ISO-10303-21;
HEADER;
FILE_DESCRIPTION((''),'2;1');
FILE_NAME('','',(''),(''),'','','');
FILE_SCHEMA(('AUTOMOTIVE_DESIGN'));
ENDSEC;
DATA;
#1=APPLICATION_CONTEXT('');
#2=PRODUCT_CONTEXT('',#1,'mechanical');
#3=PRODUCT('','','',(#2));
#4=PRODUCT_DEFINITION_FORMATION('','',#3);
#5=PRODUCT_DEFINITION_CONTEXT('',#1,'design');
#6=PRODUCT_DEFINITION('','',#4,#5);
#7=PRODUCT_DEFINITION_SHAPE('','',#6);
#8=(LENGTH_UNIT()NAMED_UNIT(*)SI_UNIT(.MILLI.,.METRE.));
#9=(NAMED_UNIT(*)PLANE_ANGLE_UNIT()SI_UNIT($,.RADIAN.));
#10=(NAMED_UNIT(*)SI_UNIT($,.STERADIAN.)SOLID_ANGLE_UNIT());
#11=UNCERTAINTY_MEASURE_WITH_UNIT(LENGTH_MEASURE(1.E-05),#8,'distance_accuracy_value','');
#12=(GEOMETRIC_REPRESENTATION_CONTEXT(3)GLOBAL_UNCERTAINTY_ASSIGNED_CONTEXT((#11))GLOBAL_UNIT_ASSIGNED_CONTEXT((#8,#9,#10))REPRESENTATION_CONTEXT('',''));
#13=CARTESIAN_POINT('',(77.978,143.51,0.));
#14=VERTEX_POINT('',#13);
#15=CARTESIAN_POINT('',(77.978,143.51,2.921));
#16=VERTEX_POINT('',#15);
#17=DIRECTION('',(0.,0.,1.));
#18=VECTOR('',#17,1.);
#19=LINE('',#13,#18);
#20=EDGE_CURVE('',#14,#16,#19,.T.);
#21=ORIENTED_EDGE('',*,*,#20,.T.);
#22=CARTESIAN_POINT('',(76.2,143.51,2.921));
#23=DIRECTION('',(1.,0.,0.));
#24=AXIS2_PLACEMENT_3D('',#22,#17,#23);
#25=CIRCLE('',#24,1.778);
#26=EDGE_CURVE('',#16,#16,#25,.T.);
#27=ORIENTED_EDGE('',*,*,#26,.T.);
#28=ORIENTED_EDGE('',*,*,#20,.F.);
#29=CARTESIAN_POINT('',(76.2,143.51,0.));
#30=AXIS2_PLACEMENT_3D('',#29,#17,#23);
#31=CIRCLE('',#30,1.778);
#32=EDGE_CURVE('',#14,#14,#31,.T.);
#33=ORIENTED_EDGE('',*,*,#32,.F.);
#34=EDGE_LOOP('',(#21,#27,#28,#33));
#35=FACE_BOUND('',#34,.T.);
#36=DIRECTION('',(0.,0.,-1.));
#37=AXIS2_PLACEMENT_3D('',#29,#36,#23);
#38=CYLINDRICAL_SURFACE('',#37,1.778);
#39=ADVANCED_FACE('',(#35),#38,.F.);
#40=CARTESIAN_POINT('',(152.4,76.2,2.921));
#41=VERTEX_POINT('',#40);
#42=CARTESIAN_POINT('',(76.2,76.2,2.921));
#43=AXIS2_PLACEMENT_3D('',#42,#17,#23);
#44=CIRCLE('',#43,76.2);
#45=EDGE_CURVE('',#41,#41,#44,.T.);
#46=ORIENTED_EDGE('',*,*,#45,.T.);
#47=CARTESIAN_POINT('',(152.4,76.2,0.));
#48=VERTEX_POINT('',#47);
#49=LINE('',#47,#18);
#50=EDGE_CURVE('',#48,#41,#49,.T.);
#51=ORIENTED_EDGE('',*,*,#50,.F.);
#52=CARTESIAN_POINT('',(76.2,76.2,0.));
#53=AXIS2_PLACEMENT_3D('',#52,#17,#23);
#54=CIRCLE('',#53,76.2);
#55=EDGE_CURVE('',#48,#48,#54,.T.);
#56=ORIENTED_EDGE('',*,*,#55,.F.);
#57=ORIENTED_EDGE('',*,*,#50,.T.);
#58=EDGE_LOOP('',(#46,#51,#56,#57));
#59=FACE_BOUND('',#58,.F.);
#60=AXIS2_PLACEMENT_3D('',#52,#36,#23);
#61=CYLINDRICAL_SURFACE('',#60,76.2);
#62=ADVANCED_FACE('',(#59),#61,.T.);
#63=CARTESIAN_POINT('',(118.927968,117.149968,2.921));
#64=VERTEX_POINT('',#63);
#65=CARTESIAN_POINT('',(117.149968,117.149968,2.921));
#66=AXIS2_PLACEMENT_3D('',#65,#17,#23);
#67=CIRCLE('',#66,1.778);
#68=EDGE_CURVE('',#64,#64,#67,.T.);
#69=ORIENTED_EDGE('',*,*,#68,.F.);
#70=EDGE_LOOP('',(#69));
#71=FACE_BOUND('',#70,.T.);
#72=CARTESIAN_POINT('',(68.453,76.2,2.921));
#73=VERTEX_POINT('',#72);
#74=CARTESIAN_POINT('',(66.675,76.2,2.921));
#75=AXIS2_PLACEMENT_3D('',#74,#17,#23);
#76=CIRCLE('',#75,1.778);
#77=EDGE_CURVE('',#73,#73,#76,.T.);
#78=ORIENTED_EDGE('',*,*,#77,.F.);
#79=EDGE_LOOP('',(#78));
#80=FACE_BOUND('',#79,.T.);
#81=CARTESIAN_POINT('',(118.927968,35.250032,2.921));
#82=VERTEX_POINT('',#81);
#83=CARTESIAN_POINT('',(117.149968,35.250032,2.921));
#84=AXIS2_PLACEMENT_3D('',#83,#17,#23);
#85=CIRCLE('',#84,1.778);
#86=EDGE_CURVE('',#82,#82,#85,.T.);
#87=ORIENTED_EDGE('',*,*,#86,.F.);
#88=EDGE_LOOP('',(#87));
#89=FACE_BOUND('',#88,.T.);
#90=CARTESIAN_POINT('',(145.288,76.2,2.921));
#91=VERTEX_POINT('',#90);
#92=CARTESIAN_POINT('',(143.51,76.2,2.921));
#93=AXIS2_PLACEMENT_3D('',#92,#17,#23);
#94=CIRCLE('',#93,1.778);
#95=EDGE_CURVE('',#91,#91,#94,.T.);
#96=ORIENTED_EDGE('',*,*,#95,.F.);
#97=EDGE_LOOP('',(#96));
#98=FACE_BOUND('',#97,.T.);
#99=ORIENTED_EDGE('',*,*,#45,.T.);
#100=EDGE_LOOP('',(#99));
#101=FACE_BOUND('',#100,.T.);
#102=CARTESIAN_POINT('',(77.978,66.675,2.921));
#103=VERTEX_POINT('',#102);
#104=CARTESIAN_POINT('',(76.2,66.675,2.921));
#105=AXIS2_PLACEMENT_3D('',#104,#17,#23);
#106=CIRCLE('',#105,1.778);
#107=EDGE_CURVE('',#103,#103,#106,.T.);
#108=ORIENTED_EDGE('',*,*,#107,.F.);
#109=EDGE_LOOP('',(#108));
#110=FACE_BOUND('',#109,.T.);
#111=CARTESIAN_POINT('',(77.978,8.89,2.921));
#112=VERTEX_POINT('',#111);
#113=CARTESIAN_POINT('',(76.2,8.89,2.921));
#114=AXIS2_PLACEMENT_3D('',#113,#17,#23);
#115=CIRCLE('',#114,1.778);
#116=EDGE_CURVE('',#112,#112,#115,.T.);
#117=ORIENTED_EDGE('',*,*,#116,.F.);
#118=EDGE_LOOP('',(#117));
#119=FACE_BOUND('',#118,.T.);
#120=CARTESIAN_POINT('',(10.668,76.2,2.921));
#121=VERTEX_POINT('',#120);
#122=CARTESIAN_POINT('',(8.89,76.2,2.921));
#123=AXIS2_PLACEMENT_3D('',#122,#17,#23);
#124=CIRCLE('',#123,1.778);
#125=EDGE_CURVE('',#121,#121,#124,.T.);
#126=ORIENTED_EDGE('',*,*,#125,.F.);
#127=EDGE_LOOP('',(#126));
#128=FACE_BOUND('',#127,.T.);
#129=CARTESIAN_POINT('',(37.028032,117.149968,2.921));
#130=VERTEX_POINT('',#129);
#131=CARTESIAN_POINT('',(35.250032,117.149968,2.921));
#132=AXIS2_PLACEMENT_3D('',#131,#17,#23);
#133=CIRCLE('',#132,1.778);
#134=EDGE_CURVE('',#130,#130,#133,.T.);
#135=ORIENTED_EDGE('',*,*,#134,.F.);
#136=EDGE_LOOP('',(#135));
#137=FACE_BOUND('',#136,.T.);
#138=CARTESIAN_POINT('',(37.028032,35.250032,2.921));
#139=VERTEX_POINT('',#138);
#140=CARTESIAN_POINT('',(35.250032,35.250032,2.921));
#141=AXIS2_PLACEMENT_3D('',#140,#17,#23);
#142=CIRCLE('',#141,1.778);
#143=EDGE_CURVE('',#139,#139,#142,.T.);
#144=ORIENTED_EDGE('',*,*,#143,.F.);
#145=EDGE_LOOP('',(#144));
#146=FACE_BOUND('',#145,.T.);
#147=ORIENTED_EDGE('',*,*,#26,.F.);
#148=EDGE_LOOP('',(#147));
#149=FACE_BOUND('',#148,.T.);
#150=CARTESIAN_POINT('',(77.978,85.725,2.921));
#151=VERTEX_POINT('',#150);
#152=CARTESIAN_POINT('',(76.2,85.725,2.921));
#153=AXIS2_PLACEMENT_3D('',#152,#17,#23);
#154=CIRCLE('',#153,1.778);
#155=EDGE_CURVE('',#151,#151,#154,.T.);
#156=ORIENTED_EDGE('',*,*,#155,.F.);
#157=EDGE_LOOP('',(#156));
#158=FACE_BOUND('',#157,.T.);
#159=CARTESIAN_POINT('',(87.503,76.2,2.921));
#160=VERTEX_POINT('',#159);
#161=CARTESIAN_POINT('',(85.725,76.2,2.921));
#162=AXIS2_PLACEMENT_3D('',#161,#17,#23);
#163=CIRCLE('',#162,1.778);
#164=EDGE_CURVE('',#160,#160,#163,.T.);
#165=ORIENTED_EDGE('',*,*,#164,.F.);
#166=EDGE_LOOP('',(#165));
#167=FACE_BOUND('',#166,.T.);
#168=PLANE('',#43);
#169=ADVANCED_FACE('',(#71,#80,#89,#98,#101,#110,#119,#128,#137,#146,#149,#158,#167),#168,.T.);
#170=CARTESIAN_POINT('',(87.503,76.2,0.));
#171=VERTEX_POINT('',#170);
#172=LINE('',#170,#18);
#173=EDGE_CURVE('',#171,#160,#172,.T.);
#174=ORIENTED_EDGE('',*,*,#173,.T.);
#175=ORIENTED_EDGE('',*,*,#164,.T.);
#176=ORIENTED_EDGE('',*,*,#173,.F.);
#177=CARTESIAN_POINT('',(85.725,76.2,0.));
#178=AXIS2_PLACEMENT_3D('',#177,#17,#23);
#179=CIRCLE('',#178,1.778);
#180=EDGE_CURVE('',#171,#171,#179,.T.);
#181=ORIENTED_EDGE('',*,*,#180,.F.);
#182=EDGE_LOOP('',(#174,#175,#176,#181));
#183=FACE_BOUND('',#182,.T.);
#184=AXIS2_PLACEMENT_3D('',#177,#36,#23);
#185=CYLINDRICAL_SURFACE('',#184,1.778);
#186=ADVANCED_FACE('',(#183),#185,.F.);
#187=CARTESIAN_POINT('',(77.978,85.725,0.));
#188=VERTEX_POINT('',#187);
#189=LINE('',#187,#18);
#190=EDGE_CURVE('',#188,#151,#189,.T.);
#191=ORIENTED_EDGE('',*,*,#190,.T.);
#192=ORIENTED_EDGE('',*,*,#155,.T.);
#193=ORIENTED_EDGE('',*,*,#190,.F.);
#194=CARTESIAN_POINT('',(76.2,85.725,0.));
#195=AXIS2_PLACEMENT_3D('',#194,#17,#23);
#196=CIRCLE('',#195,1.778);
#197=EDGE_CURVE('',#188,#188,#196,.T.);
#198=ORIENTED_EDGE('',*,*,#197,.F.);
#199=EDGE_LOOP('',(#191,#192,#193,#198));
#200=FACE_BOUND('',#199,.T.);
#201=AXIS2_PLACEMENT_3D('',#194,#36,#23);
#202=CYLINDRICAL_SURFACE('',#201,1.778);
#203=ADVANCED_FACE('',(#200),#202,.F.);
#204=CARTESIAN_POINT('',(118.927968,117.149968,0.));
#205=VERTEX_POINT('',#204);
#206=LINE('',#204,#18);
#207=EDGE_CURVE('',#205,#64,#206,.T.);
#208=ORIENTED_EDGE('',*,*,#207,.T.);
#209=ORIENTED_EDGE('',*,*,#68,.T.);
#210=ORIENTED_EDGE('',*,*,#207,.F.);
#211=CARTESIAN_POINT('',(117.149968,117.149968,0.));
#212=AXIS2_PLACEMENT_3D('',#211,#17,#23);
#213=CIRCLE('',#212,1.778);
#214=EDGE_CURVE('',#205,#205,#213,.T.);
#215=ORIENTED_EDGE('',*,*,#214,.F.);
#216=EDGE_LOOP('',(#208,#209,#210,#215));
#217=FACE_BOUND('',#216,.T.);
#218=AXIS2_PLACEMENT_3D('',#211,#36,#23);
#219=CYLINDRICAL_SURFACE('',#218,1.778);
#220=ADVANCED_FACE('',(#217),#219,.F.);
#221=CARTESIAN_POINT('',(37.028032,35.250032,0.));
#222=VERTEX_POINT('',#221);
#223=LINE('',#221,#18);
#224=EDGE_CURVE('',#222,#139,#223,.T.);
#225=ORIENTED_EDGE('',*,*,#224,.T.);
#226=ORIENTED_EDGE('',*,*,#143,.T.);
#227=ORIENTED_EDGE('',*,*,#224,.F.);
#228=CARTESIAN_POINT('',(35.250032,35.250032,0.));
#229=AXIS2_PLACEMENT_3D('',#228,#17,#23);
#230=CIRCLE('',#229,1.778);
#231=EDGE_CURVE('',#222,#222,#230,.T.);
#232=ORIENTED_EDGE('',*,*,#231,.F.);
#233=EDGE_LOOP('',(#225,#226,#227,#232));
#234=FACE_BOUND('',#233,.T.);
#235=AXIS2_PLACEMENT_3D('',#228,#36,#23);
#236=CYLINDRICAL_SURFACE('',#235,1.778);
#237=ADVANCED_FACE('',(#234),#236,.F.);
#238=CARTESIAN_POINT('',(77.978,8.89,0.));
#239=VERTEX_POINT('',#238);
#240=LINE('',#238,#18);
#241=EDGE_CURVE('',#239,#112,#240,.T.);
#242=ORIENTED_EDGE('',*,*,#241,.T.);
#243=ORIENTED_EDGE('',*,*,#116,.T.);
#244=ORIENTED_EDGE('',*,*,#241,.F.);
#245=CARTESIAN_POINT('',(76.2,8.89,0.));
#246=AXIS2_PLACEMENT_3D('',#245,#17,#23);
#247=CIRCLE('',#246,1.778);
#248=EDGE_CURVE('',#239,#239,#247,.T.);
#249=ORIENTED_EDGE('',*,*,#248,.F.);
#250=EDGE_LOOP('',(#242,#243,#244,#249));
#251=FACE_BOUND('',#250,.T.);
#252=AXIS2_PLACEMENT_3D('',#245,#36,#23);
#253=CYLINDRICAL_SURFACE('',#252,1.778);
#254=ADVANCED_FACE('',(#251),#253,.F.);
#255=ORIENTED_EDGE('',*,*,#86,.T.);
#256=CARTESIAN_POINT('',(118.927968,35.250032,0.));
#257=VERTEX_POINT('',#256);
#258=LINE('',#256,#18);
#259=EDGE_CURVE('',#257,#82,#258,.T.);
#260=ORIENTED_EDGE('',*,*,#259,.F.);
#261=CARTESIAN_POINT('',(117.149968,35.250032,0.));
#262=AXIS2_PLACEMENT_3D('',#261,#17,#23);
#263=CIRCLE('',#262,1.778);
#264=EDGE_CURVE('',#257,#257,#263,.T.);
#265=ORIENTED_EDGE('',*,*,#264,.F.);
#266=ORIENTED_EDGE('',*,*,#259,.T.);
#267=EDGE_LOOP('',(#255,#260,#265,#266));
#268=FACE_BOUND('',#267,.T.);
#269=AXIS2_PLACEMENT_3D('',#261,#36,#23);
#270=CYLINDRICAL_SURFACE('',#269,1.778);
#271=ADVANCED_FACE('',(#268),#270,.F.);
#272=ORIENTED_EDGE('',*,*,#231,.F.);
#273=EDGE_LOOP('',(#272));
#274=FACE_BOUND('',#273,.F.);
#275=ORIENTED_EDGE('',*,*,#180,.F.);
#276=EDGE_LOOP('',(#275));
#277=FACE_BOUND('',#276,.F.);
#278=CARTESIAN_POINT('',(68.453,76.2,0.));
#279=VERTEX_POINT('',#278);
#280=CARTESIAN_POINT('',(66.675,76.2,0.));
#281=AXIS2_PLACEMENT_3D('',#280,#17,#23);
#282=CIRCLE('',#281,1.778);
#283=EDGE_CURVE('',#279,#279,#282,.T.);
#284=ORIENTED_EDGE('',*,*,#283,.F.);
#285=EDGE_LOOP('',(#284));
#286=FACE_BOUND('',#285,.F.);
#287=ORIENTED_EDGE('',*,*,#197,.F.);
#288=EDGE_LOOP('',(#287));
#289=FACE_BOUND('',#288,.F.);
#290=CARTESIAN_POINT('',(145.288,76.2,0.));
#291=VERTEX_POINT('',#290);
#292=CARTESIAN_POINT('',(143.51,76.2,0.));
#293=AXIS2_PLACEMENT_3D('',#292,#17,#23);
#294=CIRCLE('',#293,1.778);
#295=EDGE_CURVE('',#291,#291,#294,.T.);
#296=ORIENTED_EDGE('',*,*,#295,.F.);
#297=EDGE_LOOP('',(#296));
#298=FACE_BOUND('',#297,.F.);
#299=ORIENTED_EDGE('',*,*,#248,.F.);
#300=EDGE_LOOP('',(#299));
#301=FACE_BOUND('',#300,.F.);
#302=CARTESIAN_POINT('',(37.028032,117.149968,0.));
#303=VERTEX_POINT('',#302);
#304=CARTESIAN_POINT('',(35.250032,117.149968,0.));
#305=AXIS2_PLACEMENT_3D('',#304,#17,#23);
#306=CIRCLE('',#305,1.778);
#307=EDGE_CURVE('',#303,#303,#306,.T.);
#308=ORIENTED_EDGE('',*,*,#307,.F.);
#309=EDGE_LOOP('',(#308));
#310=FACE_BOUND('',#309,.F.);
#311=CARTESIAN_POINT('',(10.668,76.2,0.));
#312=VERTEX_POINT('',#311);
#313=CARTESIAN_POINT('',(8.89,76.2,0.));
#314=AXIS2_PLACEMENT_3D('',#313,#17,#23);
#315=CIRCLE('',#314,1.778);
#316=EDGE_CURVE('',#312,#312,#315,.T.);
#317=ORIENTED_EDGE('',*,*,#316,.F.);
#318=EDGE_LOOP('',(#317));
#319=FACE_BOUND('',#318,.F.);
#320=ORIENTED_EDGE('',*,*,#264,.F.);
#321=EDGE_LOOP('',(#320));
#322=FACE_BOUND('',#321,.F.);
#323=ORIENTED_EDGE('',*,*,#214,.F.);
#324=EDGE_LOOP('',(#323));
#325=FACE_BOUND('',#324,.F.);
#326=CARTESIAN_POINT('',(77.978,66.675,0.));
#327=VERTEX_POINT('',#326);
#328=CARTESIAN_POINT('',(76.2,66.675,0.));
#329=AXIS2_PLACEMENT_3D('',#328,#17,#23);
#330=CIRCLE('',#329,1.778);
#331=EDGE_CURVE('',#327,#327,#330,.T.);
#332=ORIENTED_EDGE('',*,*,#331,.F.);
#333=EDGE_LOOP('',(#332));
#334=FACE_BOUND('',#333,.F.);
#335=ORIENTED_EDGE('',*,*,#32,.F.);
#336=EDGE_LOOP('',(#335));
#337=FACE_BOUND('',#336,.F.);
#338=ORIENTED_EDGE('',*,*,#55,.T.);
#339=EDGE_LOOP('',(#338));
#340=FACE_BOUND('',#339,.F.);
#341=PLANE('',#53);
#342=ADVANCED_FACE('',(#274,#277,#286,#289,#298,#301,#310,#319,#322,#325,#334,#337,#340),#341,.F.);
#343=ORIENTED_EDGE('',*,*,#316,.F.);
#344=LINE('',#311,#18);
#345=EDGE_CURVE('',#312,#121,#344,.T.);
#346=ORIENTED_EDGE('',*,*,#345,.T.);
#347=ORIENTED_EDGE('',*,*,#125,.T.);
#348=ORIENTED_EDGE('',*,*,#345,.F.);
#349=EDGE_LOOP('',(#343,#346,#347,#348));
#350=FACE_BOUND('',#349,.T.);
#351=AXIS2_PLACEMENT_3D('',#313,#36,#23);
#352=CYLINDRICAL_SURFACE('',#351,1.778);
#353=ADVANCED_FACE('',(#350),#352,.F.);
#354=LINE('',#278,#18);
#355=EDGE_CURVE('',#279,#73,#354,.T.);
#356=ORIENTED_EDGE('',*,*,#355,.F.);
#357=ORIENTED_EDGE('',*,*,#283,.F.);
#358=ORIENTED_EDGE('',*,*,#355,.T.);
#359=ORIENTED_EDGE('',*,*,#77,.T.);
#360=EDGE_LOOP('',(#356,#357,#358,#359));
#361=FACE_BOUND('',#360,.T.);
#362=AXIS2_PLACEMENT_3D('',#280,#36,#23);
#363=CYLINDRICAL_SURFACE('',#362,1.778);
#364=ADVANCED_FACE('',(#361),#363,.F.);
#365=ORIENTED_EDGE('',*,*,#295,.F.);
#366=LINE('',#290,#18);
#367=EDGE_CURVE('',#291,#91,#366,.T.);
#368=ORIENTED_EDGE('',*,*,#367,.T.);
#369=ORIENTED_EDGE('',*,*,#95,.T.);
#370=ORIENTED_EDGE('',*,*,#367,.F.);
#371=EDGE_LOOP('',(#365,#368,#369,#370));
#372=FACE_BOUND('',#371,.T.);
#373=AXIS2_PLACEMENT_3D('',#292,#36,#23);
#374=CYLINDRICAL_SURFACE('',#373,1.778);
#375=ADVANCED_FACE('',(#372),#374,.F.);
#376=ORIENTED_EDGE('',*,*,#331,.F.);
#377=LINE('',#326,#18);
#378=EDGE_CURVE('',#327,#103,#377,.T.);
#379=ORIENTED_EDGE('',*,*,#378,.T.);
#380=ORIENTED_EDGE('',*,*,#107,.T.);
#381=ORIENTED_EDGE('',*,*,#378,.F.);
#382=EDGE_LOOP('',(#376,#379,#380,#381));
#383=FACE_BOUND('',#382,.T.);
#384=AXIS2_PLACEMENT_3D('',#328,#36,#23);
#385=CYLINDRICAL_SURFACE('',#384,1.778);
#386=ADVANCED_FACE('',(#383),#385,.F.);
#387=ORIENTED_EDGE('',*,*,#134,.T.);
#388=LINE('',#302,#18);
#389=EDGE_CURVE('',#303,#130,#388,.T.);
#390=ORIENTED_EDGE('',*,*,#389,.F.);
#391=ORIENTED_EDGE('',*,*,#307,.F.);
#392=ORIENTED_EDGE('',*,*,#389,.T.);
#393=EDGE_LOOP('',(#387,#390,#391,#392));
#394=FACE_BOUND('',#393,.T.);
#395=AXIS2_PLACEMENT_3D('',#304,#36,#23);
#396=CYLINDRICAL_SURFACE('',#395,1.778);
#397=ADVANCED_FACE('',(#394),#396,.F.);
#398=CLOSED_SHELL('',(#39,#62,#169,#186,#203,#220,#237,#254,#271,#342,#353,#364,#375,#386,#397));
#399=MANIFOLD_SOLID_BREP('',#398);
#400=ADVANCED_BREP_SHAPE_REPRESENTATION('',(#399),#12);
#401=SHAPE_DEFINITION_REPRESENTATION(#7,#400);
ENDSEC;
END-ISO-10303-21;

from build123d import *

# Parameters (mm, degrees)
F0_R     = 76.2
F0_R_2   = 1.778
F1_DEPTH = 2.921


with BuildPart() as f1:
    # F0 (on Top) → F1 (new body)
    with BuildSketch(Plane.XY):
        with Locations((76.2, 76.2)):
            Circle(F0_R)
        with Locations((35.250032, 35.250032)):
            Circle(F0_R_2, mode=Mode.SUBTRACT)
        with Locations((76.2, 8.89)):
            Circle(F0_R_2, mode=Mode.SUBTRACT)
        with Locations((117.149968, 35.250032)):
            Circle(F0_R_2, mode=Mode.SUBTRACT)
        with Locations((76.2, 66.675)):
            Circle(F0_R_2, mode=Mode.SUBTRACT)
        with Locations((8.89, 76.2)):
            Circle(F0_R_2, mode=Mode.SUBTRACT)
        with Locations((66.675, 76.2)):
            Circle(F0_R_2, mode=Mode.SUBTRACT)
        with Locations((35.250032, 117.149968)):
            Circle(F0_R_2, mode=Mode.SUBTRACT)
        with Locations((85.725, 76.2)):
            Circle(F0_R_2, mode=Mode.SUBTRACT)
        with Locations((76.2, 85.725)):
            Circle(F0_R_2, mode=Mode.SUBTRACT)
        with Locations((143.51, 76.2)):
            Circle(F0_R_2, mode=Mode.SUBTRACT)
        with Locations((76.2, 143.51)):
            Circle(F0_R_2, mode=Mode.SUBTRACT)
        with Locations((117.149968, 117.149968)):
            Circle(F0_R_2, mode=Mode.SUBTRACT)
    extrude(amount=F1_DEPTH)


solid = f1.part
